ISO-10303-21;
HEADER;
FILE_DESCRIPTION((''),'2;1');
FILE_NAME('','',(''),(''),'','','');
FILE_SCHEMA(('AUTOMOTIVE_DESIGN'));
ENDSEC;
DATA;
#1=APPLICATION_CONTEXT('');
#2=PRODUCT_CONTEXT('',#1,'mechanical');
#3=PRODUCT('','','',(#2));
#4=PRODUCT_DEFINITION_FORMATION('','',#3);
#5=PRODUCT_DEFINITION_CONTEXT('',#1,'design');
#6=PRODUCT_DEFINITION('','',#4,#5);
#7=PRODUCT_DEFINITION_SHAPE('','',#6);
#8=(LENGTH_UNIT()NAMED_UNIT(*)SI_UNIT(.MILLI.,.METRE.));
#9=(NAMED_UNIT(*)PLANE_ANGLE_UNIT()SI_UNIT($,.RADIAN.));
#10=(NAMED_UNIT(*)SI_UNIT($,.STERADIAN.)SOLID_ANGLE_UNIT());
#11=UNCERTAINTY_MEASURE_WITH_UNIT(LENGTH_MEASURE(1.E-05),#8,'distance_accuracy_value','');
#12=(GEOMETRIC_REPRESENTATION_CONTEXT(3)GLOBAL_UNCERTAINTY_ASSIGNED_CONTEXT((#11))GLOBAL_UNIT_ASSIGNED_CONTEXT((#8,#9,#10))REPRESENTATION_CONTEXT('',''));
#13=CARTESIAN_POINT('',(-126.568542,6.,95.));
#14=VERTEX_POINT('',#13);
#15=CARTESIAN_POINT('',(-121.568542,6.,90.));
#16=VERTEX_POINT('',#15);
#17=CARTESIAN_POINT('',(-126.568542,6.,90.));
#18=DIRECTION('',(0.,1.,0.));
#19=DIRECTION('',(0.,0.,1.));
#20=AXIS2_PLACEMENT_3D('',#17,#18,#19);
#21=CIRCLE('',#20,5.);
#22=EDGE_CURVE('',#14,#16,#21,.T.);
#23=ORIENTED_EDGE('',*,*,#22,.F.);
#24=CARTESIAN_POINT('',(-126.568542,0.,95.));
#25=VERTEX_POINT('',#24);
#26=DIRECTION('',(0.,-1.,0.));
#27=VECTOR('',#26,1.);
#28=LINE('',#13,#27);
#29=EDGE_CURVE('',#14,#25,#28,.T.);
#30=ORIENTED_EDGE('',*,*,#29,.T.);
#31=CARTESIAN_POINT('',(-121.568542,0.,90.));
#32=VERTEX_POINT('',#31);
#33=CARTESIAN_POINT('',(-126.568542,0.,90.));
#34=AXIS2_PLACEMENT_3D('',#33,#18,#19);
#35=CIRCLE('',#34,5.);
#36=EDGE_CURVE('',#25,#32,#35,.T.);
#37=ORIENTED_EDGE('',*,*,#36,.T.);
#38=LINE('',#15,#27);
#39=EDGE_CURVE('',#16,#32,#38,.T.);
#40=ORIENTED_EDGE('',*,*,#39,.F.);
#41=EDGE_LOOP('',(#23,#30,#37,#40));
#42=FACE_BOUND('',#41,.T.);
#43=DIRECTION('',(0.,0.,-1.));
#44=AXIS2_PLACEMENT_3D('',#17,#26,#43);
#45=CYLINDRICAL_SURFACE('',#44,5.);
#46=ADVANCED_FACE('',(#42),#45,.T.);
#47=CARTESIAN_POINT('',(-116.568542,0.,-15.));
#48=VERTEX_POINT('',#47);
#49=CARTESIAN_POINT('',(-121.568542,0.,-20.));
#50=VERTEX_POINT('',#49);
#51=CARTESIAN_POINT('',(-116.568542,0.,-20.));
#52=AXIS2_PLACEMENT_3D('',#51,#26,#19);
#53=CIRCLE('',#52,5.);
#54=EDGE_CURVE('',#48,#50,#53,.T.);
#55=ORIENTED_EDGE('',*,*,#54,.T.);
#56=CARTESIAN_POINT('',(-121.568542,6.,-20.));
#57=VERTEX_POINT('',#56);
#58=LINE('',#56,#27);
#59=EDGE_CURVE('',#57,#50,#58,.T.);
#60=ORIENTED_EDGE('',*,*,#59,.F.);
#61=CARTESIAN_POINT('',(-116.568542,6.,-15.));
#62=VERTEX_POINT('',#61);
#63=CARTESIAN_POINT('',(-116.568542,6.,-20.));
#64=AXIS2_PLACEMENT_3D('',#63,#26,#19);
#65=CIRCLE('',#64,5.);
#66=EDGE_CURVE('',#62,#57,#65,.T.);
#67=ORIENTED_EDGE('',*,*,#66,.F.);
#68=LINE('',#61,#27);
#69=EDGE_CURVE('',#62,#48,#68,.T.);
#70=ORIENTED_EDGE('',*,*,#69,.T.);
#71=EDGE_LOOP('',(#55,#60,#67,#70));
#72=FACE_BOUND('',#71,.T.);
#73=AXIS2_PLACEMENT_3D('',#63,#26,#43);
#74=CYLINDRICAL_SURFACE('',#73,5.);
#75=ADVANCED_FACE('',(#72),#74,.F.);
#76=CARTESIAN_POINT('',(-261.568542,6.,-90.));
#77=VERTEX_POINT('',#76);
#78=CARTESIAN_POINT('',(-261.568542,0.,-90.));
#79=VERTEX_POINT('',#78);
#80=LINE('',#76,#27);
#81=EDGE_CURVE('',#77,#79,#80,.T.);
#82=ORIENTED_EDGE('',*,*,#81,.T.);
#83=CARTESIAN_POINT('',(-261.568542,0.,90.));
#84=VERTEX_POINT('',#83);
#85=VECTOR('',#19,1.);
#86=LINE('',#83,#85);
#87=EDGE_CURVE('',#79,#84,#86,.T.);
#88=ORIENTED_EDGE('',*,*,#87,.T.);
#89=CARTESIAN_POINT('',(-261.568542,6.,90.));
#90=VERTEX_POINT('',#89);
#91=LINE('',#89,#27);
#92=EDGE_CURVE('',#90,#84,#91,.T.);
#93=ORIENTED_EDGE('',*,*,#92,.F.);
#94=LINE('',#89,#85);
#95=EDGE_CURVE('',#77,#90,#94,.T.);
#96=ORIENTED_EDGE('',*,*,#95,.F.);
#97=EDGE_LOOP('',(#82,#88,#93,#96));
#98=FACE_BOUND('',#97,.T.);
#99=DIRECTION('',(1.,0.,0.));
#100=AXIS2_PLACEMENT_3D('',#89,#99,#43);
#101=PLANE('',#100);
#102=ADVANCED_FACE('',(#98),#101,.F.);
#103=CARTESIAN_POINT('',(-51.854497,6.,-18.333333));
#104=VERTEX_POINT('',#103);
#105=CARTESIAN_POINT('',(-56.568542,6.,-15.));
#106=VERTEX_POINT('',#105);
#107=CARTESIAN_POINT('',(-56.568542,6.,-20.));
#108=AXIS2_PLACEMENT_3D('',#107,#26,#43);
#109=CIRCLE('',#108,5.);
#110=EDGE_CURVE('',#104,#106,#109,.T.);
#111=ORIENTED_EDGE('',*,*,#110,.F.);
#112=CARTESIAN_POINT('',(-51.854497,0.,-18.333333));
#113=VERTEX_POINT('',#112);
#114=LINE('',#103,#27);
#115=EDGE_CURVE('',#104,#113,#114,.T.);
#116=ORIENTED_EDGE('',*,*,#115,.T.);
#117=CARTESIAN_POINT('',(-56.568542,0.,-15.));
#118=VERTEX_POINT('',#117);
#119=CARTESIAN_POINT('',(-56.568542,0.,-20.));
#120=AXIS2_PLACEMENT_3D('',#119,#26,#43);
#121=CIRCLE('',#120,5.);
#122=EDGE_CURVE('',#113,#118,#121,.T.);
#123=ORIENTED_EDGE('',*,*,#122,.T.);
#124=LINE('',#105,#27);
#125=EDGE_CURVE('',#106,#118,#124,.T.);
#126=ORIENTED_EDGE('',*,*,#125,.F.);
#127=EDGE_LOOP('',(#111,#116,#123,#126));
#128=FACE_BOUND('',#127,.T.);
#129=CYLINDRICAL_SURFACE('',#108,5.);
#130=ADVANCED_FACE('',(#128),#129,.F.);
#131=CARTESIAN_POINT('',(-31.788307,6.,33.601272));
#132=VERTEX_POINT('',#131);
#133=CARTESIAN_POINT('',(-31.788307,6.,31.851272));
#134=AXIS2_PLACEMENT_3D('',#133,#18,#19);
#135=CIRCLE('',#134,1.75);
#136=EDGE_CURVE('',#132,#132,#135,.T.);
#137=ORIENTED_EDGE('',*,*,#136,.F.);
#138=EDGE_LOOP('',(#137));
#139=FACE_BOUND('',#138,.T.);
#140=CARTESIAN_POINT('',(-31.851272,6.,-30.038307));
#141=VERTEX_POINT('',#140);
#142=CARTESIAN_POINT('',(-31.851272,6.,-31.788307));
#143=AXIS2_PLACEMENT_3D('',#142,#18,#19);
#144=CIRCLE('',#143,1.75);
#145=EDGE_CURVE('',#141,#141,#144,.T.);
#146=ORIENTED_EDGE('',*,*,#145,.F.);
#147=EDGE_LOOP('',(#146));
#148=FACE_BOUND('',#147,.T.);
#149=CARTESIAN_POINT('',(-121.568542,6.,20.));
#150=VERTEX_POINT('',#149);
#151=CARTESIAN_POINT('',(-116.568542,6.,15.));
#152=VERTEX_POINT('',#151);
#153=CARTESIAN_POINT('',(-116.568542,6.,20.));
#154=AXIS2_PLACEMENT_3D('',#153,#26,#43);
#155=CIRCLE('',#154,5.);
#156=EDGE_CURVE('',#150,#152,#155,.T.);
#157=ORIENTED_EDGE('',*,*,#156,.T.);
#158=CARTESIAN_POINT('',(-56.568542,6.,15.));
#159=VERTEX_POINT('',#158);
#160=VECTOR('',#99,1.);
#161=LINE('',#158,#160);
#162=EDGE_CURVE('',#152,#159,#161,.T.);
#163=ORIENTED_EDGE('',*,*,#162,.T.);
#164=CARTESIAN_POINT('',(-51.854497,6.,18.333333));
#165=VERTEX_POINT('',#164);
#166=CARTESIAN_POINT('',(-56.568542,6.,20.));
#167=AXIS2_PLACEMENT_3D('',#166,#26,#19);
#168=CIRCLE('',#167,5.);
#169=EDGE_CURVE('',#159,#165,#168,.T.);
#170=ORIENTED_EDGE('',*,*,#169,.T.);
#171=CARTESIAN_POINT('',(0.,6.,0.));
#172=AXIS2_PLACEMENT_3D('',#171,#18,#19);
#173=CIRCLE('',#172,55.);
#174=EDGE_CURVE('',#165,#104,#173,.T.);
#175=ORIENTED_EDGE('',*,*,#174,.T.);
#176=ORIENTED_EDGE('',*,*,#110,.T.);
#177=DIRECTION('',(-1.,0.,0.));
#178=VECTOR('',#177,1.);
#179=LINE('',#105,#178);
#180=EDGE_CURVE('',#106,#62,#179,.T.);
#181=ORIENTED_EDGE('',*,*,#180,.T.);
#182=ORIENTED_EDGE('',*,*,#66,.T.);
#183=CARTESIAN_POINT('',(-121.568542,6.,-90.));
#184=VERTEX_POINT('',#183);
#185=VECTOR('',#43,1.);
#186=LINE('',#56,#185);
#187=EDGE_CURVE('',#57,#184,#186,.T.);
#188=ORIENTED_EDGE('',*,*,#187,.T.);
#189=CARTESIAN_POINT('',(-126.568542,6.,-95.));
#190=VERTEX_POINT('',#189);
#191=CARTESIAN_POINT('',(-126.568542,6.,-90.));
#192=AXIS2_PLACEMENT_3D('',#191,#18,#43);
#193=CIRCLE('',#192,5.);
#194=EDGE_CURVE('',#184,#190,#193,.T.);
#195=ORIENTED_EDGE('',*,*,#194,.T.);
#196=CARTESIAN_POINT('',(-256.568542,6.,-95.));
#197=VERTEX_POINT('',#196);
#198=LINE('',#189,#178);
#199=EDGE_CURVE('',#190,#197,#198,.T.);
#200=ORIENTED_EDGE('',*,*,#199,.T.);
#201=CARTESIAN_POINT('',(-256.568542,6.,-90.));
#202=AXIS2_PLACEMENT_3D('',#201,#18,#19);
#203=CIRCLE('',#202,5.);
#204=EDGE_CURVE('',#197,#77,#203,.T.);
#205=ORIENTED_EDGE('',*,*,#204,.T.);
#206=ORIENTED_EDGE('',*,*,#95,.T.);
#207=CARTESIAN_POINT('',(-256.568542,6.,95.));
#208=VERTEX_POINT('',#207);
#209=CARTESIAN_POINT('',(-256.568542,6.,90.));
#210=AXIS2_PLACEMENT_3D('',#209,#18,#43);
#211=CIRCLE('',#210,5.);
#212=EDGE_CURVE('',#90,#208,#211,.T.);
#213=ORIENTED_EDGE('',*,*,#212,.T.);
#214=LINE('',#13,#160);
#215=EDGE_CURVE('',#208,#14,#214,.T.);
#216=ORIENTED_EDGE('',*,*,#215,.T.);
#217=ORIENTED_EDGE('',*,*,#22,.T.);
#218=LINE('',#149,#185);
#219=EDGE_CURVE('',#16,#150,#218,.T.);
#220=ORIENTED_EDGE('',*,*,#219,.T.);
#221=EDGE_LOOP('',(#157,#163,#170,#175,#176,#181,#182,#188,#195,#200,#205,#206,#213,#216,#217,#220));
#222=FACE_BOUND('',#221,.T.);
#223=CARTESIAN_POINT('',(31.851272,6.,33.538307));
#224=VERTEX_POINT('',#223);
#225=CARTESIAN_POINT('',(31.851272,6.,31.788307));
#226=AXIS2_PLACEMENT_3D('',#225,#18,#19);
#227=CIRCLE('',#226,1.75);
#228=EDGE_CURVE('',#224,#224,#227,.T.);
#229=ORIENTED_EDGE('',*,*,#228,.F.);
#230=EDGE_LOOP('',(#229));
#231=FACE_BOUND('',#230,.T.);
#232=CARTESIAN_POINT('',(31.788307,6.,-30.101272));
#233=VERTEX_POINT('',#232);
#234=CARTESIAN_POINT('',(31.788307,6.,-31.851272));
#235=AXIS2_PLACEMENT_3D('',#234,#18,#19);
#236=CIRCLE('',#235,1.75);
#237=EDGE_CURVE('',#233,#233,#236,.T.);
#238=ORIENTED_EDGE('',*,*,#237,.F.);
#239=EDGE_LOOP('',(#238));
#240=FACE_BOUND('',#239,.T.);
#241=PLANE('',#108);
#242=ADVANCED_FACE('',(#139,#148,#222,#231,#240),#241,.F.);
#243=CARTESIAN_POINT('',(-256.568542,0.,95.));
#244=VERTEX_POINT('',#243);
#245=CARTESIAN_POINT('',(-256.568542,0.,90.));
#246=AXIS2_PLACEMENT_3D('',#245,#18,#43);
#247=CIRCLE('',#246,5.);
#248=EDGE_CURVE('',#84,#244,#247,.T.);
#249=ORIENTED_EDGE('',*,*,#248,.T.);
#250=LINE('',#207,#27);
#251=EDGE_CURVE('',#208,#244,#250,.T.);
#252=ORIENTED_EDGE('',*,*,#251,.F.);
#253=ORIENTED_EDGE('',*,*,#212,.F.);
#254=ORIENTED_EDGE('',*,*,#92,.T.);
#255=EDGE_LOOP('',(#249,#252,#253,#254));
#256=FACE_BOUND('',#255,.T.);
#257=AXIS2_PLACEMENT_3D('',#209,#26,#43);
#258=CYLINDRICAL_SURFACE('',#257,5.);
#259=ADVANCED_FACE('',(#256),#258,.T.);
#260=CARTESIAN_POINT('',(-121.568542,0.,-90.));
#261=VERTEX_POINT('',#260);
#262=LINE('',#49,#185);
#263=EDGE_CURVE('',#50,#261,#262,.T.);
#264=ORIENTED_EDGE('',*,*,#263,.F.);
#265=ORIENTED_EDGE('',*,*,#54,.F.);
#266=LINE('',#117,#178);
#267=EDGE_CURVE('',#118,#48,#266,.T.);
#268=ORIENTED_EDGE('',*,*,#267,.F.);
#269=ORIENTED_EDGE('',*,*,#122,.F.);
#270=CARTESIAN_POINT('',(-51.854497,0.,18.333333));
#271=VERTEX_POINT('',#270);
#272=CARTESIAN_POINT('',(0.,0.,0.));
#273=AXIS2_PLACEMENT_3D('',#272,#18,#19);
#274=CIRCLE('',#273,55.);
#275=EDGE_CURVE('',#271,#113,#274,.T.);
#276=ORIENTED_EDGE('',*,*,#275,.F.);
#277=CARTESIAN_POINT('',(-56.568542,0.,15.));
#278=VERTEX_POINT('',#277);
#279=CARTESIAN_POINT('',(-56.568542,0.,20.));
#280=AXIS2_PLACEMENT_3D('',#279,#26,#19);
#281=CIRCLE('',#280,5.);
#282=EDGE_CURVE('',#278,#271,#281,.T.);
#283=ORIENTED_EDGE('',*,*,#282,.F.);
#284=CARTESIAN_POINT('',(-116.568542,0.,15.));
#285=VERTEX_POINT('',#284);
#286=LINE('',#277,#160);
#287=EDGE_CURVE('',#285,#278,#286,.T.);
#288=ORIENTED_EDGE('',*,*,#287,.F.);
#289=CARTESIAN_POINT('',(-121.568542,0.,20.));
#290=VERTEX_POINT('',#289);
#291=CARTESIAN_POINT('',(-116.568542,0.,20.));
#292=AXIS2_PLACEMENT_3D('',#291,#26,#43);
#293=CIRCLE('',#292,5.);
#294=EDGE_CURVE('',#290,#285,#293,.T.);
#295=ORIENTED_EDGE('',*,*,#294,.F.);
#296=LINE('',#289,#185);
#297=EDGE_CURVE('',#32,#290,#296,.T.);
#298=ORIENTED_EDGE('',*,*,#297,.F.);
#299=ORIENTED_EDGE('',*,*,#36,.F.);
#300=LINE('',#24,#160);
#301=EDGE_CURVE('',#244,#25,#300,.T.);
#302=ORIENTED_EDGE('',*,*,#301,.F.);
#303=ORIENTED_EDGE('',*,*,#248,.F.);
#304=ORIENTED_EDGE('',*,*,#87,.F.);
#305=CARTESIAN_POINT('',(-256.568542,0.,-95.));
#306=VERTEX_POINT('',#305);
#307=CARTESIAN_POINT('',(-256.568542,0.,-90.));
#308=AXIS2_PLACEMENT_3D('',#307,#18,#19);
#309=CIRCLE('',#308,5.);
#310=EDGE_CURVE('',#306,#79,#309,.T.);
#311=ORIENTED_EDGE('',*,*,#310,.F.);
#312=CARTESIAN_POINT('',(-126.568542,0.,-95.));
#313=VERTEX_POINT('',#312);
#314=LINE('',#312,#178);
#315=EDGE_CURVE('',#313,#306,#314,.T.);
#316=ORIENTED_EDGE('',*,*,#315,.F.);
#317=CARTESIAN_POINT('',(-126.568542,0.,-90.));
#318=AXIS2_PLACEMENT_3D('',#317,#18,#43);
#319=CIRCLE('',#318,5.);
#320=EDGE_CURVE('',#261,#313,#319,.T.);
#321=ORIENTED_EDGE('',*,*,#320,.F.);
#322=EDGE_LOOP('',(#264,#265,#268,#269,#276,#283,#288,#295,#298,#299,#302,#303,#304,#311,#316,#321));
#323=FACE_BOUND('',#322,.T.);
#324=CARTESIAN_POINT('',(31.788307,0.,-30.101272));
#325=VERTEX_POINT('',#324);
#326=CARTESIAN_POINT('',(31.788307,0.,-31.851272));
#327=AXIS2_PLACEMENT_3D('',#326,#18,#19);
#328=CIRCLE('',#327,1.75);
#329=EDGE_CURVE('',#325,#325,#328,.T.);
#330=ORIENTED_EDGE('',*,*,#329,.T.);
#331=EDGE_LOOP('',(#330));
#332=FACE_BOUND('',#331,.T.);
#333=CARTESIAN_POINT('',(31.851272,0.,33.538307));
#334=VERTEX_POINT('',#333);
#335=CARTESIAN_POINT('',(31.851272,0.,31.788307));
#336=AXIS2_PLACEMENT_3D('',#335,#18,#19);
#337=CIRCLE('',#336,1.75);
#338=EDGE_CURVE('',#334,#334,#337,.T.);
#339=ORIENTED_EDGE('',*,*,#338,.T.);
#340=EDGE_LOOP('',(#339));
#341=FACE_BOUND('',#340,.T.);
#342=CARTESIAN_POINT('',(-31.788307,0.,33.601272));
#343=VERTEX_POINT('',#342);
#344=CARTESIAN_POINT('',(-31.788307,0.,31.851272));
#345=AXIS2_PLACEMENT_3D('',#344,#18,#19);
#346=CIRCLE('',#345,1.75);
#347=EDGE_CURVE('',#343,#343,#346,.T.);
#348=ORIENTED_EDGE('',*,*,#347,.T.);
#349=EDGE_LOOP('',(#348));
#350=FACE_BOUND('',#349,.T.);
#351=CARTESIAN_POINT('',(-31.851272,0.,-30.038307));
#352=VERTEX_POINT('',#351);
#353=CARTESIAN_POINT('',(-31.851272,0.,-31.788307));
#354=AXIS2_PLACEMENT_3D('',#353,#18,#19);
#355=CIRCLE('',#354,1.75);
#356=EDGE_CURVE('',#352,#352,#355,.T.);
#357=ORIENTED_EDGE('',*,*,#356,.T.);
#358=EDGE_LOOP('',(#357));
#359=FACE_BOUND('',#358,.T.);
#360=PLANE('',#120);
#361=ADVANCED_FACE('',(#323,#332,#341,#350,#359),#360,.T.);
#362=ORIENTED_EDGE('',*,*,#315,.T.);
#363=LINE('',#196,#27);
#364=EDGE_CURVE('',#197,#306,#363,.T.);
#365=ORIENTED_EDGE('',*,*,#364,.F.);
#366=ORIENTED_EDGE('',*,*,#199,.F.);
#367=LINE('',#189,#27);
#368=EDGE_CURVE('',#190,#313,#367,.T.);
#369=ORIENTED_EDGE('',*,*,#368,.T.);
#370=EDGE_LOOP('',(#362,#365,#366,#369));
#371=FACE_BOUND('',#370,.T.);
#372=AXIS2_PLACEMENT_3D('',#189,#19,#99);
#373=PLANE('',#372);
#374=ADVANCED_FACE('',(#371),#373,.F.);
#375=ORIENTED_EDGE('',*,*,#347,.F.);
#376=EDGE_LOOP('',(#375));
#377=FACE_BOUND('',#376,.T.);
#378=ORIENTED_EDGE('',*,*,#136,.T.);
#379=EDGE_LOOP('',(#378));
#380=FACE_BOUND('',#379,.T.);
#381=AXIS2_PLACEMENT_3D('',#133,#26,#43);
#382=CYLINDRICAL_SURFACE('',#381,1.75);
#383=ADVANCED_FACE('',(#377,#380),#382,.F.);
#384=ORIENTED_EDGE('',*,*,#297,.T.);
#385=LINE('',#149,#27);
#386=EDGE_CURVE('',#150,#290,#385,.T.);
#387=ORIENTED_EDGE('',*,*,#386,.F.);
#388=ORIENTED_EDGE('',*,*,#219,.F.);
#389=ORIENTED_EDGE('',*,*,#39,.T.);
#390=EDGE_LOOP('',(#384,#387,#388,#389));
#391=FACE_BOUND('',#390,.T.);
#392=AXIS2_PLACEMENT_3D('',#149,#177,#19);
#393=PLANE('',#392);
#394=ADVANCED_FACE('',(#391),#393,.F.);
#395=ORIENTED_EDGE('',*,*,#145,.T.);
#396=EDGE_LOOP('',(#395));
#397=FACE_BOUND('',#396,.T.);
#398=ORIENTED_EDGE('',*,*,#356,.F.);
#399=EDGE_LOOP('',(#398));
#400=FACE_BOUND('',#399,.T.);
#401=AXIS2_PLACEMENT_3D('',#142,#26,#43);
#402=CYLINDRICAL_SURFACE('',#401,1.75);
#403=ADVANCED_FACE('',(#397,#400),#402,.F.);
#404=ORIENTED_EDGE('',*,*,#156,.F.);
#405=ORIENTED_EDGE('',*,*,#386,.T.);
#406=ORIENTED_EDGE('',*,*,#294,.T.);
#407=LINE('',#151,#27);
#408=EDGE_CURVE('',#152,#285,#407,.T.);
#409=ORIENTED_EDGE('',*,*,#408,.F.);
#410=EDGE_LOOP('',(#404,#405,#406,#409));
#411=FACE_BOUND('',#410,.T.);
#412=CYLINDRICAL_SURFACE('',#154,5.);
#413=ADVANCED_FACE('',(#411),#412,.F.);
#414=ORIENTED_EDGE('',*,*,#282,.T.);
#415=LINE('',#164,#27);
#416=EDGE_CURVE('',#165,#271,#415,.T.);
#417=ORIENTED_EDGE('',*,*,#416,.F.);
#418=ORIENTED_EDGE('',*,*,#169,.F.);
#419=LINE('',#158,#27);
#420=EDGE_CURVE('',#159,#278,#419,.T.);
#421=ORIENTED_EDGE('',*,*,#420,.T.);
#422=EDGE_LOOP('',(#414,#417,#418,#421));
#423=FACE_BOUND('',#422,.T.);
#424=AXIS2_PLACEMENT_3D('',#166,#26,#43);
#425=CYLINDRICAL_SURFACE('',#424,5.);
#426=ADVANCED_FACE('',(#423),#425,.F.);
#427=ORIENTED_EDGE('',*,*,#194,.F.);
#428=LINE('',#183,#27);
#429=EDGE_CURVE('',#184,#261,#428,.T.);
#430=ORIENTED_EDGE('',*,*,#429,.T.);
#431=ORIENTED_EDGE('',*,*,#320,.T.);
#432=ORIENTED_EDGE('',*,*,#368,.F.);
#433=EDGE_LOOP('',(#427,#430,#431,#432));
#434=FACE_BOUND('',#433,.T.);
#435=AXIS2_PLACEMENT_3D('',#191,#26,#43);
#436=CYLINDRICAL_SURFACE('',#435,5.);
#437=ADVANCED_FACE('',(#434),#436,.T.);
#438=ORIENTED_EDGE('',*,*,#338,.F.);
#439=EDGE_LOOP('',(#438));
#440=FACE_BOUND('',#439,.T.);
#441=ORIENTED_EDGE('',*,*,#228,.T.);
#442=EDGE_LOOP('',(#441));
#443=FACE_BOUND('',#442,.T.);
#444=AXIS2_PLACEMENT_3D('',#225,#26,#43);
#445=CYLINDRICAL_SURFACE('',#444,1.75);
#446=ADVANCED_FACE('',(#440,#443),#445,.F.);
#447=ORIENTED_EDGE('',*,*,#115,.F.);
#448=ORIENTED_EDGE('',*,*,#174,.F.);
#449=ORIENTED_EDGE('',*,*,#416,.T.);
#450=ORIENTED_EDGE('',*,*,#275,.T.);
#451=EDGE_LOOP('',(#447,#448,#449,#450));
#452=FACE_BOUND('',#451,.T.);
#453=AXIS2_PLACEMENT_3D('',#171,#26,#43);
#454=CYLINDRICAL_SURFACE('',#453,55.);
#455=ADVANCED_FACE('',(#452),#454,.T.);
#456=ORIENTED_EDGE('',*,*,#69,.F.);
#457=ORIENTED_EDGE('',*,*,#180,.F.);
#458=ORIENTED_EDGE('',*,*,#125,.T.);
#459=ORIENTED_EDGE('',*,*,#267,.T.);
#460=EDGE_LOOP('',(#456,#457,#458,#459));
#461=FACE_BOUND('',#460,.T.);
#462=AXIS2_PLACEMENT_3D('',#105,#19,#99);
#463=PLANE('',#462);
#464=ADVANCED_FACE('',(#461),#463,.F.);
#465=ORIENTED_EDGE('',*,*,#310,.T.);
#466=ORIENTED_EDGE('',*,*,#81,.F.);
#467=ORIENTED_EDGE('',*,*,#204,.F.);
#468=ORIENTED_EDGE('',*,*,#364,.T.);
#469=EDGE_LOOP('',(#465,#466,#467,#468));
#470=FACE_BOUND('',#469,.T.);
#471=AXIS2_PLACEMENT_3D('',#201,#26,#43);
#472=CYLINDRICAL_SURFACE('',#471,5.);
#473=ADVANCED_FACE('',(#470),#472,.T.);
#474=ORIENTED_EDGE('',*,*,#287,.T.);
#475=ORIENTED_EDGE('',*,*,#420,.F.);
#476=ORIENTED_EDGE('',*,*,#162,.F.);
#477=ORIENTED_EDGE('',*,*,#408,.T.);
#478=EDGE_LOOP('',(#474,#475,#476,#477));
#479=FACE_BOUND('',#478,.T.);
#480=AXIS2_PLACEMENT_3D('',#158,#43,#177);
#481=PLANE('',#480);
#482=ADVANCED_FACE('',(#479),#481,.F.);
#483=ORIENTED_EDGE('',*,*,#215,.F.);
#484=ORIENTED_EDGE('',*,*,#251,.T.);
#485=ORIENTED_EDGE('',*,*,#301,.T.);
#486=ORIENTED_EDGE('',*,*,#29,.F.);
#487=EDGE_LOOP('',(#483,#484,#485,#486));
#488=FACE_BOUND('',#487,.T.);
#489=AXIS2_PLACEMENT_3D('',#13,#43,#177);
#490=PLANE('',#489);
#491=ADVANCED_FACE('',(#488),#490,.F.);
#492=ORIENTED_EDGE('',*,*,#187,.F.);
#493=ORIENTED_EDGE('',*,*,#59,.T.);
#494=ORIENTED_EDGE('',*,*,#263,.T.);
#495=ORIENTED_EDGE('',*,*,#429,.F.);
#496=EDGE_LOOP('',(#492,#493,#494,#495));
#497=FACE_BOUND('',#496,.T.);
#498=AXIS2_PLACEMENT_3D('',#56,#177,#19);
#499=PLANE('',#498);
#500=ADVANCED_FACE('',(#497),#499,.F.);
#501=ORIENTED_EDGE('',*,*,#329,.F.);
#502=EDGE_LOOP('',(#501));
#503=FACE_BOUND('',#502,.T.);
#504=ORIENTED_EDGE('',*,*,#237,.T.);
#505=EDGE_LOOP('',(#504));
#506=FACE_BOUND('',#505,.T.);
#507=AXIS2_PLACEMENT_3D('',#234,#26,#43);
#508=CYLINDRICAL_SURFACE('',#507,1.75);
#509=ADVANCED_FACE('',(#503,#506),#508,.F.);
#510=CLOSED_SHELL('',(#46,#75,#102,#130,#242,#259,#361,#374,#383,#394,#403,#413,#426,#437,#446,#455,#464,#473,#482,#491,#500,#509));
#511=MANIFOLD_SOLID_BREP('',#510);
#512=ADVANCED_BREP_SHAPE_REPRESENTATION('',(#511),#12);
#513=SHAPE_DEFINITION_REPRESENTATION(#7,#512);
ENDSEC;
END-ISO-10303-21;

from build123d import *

# Parameters (mm, degrees)
SKETCH1_R           = 1.75
BOSS_EXTRUDE1_DEPTH = 6


with BuildPart() as part:
    # Sketch1 → Boss-Extrude1 (new body)
    with BuildSketch(Plane(origin=(0, 0, 0), x_dir=(1, 0, 0), z_dir=(0, 1, 0))):
        with BuildLine():
            Line((-56.568542495, -15), (-116.568542495, -15))
            ThreePointArc((-116.568542495, -15), (-120.104076401, -16.464466094), (-121.568542495, -20))
            Line((-121.568542495, -20), (-121.568542495, -90))
            ThreePointArc((-121.568542495, -90), (-123.033008589, -93.535533906), (-126.568542495, -95))
            Line((-126.568542495, -95), (-256.568542495, -95))
            ThreePointArc((-256.568542495, -95), (-260.104076401, -93.535533906), (-261.568542495, -90))
            Line((-261.568542495, -90), (-261.568542495, 90))
            ThreePointArc((-261.568542495, 90), (-260.104076401, 93.535533906), (-256.568542495, 95))
            Line((-256.568542495, 95), (-126.568542495, 95))
            ThreePointArc((-126.568542495, 95), (-123.033008589, 93.535533906), (-121.568542495, 90))
            Line((-121.568542495, 90), (-121.568542495, 20))
            ThreePointArc((-121.568542495, 20), (-120.104076401, 16.464466094), (-116.568542495, 15))
            Line((-116.568542495, 15), (-56.568542495, 15))
            ThreePointArc((-56.568542495, 15), (-53.681791149, 15.917517095), (-51.854497287, 18.333333333))
            ThreePointArc((-51.854497287, 18.333333333), (55, 0), (-51.854497287, -18.333333333))
            ThreePointArc((-51.854497287, -18.333333333), (-53.681791149, -15.917517095), (-56.568542495, -15))
        make_face()
        with Locations(Location((31.851272196, -31.788306962, 0), (0, 0, 270))):
            Circle(SKETCH1_R, mode=Mode.SUBTRACT)
        with Locations(Location((31.788306962, 31.851272196, 0), (0, 0, 270))):
            Circle(SKETCH1_R, mode=Mode.SUBTRACT)
        with Locations(Location((-31.851272196, 31.788306962, 0), (0, 0, 270))):
            Circle(SKETCH1_R, mode=Mode.SUBTRACT)
        with Locations(Location((-31.788306962, -31.851272196, 0), (0, 0, 270))):
            Circle(SKETCH1_R, mode=Mode.SUBTRACT)
    extrude(amount=BOSS_EXTRUDE1_DEPTH)


solid = part.part
